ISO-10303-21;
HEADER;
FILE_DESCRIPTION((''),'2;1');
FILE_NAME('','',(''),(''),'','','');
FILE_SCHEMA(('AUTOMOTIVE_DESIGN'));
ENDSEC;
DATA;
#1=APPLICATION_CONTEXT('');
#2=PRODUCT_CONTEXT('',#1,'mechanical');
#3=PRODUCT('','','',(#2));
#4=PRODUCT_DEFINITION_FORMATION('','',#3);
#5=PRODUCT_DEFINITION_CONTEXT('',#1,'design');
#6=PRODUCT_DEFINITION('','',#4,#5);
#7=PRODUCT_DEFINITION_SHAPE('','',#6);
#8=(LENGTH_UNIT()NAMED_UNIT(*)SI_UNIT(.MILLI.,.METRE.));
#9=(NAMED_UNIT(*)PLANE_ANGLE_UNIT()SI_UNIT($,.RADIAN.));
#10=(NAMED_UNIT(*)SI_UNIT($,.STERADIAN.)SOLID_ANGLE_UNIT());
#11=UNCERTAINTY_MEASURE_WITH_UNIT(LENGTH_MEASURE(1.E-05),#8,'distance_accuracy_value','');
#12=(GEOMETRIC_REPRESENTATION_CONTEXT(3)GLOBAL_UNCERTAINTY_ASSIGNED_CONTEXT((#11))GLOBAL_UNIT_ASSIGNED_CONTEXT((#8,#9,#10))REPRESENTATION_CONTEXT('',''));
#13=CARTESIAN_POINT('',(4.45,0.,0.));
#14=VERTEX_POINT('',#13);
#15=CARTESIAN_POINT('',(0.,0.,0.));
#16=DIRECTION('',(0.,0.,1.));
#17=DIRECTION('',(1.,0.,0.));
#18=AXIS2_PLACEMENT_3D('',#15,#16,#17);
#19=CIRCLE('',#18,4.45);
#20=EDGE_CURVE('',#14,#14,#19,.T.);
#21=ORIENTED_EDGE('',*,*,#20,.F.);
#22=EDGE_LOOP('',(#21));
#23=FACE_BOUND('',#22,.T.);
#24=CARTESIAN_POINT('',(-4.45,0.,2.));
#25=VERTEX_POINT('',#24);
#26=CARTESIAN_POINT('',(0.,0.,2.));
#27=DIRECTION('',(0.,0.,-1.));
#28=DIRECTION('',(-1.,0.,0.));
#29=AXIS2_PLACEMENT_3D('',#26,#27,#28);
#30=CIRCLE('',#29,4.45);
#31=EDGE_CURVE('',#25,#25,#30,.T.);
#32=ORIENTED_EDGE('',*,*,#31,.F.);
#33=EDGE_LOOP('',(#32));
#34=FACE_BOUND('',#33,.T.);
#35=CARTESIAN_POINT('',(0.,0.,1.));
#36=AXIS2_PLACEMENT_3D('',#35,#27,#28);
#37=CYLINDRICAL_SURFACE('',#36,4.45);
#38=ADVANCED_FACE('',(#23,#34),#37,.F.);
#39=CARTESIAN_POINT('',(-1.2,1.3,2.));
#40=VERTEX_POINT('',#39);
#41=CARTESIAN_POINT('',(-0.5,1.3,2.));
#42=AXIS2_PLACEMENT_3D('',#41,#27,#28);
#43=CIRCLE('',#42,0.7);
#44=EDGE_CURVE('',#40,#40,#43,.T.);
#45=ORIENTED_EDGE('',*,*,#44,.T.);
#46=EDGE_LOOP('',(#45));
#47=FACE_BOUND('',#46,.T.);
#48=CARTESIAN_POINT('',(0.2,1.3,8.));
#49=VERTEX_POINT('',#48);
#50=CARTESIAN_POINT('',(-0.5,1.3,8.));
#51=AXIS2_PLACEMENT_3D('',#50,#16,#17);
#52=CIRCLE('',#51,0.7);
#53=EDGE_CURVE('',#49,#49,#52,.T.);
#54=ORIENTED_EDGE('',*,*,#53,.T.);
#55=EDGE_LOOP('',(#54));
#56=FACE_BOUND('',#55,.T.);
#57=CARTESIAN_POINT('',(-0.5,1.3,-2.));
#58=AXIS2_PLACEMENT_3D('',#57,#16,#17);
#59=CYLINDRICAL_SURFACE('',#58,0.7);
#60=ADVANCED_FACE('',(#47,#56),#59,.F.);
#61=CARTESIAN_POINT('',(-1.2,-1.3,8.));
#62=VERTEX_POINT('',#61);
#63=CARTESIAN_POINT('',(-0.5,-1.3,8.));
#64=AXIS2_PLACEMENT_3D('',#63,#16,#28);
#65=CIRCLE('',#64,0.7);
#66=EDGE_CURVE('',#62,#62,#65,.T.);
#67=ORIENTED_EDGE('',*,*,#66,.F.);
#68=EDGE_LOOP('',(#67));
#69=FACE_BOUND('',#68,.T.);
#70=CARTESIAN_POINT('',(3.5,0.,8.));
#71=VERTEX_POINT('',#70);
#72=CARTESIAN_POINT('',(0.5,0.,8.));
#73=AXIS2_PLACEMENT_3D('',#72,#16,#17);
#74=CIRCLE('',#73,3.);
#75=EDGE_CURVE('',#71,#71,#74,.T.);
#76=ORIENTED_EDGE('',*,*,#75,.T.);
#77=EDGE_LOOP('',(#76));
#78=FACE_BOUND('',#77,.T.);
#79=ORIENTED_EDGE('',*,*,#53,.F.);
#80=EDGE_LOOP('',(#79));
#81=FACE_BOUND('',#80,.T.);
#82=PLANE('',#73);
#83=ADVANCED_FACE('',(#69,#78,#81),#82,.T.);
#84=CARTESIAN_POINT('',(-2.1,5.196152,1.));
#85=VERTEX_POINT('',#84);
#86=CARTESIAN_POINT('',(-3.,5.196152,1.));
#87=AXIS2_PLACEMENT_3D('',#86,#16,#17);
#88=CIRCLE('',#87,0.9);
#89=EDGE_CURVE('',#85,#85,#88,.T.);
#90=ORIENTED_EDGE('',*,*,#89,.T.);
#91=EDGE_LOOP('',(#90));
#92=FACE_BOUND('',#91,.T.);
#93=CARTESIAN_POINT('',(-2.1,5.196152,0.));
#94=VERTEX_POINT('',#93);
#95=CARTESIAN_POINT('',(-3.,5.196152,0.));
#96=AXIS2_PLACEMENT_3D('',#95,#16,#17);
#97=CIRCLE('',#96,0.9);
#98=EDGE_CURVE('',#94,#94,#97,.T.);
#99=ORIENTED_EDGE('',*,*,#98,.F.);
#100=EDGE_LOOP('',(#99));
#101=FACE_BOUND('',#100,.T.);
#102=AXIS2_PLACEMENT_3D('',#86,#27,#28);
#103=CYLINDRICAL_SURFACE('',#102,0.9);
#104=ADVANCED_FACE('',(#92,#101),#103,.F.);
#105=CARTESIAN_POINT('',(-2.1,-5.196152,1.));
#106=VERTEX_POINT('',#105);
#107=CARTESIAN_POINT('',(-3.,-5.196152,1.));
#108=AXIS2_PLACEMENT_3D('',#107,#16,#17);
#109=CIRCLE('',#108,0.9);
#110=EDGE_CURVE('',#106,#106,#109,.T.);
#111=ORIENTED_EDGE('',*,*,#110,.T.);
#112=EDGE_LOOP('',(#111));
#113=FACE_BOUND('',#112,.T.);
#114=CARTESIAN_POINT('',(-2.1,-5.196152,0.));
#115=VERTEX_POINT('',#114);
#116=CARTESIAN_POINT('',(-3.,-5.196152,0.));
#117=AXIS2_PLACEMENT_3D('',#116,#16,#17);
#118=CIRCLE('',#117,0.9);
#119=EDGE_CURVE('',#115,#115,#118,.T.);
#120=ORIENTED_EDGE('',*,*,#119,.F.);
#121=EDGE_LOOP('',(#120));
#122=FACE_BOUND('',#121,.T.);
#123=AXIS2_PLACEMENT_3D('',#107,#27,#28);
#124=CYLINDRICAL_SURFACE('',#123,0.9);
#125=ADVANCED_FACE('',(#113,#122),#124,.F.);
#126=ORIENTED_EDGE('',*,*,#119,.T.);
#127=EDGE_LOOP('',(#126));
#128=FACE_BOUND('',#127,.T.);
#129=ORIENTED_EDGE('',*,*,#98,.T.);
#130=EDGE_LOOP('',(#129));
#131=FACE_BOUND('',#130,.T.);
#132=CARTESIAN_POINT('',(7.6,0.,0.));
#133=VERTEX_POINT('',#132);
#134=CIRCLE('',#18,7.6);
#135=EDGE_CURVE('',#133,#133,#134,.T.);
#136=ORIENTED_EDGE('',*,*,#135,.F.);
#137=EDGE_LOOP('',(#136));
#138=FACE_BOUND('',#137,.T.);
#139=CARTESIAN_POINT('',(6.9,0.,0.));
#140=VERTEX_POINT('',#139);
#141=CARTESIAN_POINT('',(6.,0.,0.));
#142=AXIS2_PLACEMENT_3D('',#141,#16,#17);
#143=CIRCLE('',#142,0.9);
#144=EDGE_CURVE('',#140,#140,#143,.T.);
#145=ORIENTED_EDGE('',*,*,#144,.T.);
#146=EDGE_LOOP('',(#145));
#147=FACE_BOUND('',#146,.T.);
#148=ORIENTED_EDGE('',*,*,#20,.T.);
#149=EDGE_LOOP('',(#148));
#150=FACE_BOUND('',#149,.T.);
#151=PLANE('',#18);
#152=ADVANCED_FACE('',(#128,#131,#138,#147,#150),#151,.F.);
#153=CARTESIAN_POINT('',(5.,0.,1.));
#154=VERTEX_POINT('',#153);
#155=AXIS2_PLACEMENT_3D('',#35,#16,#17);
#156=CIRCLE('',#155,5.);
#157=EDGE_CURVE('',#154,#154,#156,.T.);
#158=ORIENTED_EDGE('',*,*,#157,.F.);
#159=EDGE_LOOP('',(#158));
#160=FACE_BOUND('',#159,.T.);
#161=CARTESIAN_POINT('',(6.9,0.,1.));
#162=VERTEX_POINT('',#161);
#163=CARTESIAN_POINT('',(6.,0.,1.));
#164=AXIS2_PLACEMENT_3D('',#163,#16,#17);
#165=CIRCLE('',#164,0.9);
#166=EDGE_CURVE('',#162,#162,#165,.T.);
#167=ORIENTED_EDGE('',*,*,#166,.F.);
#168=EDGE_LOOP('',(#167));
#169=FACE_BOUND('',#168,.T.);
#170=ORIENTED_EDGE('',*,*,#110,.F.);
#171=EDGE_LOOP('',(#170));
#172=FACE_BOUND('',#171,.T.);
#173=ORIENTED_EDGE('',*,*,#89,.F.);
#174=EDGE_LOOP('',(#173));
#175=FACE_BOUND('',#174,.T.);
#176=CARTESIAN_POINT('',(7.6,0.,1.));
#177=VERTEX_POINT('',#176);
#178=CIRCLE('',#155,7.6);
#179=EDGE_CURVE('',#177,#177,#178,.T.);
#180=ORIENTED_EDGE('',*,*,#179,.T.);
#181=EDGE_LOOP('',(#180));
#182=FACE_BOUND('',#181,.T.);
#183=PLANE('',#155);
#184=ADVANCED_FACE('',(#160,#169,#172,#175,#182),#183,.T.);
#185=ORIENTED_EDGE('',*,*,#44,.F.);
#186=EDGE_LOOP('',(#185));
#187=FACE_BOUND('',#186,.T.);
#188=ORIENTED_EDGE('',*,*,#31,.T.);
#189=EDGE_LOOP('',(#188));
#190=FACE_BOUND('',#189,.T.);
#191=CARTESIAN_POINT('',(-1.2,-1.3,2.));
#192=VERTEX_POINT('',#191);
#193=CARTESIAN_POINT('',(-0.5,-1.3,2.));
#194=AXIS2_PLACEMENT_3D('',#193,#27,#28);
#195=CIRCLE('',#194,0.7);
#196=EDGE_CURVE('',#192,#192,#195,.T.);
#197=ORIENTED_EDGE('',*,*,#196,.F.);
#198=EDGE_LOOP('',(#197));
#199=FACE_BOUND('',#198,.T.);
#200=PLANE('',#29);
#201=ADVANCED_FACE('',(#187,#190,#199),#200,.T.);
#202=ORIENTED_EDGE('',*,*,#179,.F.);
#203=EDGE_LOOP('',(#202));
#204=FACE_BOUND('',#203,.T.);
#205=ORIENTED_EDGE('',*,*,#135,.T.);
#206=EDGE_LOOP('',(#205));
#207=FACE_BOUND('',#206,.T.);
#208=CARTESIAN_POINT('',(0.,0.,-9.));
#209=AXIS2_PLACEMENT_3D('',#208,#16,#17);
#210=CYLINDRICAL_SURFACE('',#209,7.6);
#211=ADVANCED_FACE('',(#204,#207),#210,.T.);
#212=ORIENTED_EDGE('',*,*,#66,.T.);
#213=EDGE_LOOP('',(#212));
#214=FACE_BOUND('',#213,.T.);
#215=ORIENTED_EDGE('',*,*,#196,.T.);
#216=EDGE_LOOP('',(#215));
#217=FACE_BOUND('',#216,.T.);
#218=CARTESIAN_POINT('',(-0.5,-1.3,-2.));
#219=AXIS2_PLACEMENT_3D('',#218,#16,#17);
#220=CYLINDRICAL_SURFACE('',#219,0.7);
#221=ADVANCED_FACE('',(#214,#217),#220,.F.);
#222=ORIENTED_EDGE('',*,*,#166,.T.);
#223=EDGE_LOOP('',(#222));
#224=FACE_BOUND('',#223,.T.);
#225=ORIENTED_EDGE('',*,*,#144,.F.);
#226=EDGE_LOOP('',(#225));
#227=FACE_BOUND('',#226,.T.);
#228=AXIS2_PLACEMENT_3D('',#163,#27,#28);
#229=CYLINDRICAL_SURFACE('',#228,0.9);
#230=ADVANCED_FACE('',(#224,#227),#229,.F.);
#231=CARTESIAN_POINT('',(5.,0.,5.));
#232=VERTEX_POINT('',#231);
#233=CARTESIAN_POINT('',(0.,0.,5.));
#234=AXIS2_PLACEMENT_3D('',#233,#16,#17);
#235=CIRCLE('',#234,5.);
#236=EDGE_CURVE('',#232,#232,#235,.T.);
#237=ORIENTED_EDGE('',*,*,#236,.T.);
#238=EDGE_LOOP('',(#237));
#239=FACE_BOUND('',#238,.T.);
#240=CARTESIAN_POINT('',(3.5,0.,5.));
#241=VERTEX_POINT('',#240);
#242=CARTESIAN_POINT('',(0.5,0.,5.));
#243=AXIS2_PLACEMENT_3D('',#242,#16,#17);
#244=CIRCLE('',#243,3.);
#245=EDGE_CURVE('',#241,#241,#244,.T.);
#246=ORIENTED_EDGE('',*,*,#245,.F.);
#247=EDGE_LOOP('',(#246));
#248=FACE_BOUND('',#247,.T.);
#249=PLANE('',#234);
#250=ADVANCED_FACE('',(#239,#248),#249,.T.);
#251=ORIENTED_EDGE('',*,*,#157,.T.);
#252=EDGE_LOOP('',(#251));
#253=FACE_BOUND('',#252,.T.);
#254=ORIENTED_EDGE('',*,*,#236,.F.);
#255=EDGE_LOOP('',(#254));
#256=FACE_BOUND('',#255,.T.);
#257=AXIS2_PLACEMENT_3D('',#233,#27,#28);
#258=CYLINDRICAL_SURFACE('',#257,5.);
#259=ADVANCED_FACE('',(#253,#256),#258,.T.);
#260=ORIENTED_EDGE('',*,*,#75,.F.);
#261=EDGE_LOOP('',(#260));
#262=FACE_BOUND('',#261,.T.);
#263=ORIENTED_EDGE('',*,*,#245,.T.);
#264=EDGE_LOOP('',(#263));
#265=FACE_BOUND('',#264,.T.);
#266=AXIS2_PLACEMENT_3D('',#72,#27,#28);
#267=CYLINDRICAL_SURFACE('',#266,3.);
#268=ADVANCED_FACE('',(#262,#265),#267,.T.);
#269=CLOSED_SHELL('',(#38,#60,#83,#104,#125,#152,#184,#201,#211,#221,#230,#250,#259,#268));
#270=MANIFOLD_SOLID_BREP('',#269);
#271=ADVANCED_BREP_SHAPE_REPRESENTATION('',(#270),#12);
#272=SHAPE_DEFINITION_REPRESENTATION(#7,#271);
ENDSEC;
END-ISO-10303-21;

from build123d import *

# Parameters (mm, degrees)
SKETCH_1_R          = 7.5
SKETCH_1_R_2        = 0.9
SKETCH_1_R_3        = 4.45
EXTRUDE_1_DEPTH     = 1
SKETCH_2_R          = 5
EXTRUDE_2_DEPTH     = 4
SKETCH_3_R          = 4.45
CUT_EXTRUDE_1_DEPTH = 1
SKETCH_5_R          = 3
EXTRUDE_4_DEPTH     = 3
SKETCH_6_R          = 9
SKETCH_6_R_2        = 0.9
SKETCH_6_R_3        = 4.45
EXTRUDE_7_DEPTH     = 1
SKETCH_7_R          = 0.7
CUT_EXTRUDE_2_DEPTH = 10
SKETCH_8_R          = 9
SKETCH_8_R_2        = 7.6
CUT_EXTRUDE_3_DEPTH = 10


with BuildPart() as part:
    # 草图1 → 凸台-拉伸1 (new body)
    with BuildSketch(Plane.XY):
        Circle(SKETCH_1_R)
        with Locations((6, 0)):
            Circle(SKETCH_1_R_2, mode=Mode.SUBTRACT)
        with Locations((-3, -5.196152423)):
            Circle(SKETCH_1_R_2, mode=Mode.SUBTRACT)
        with Locations((-3, 5.196152423)):
            Circle(SKETCH_1_R_2, mode=Mode.SUBTRACT)
        Circle(SKETCH_1_R_3, mode=Mode.SUBTRACT)
    extrude(amount=EXTRUDE_1_DEPTH)

    # 草图2 → 凸台-拉伸2 (add)
    with BuildSketch(Plane.XY.offset(1)):
        Circle(SKETCH_2_R)
    extrude(amount=EXTRUDE_2_DEPTH)

    # 草图3 → 切除-拉伸1 (cut)
    with BuildSketch(Plane(origin=(0, 0, 1), x_dir=(-1, 0, 0), z_dir=(0, 0, -1))):
        Circle(SKETCH_3_R)
    extrude(amount=-CUT_EXTRUDE_1_DEPTH, mode=Mode.SUBTRACT)

    # 草图5 → 凸台-拉伸4 (add)
    with BuildSketch(Plane.XY.offset(5)):
        with Locations((0.5, 0)):
            Circle(SKETCH_5_R)
    extrude(amount=EXTRUDE_4_DEPTH)

    # 草图6 → 凸台-拉伸7 (add)
    with BuildSketch(Plane.XY.offset(1)):
        Circle(SKETCH_6_R)
        with Locations((6, 0)):
            Circle(SKETCH_6_R_2, mode=Mode.SUBTRACT)
        with Locations((-3, 5.196152423)):
            Circle(SKETCH_6_R_2, mode=Mode.SUBTRACT)
        with Locations((-3, -5.196152423)):
            Circle(SKETCH_6_R_2, mode=Mode.SUBTRACT)
        Circle(SKETCH_6_R_3, mode=Mode.SUBTRACT)
    extrude(amount=-EXTRUDE_7_DEPTH)

    # 草图7 → 切除-拉伸2 (cut)
    with BuildSketch(Plane.XY.offset(8)):
        with Locations((-0.5, 1.3)):
            Circle(SKETCH_7_R)
        with Locations((-0.5, -1.3)):
            Circle(SKETCH_7_R)
    extrude(amount=-CUT_EXTRUDE_2_DEPTH, mode=Mode.SUBTRACT)

    # 草图8 → 切除-拉伸3 (cut)
    with BuildSketch(Plane.XY.offset(1)):
        Circle(SKETCH_8_R)
        Circle(SKETCH_8_R_2, mode=Mode.SUBTRACT)
    extrude(amount=-CUT_EXTRUDE_3_DEPTH, mode=Mode.SUBTRACT)


solid = part.part
